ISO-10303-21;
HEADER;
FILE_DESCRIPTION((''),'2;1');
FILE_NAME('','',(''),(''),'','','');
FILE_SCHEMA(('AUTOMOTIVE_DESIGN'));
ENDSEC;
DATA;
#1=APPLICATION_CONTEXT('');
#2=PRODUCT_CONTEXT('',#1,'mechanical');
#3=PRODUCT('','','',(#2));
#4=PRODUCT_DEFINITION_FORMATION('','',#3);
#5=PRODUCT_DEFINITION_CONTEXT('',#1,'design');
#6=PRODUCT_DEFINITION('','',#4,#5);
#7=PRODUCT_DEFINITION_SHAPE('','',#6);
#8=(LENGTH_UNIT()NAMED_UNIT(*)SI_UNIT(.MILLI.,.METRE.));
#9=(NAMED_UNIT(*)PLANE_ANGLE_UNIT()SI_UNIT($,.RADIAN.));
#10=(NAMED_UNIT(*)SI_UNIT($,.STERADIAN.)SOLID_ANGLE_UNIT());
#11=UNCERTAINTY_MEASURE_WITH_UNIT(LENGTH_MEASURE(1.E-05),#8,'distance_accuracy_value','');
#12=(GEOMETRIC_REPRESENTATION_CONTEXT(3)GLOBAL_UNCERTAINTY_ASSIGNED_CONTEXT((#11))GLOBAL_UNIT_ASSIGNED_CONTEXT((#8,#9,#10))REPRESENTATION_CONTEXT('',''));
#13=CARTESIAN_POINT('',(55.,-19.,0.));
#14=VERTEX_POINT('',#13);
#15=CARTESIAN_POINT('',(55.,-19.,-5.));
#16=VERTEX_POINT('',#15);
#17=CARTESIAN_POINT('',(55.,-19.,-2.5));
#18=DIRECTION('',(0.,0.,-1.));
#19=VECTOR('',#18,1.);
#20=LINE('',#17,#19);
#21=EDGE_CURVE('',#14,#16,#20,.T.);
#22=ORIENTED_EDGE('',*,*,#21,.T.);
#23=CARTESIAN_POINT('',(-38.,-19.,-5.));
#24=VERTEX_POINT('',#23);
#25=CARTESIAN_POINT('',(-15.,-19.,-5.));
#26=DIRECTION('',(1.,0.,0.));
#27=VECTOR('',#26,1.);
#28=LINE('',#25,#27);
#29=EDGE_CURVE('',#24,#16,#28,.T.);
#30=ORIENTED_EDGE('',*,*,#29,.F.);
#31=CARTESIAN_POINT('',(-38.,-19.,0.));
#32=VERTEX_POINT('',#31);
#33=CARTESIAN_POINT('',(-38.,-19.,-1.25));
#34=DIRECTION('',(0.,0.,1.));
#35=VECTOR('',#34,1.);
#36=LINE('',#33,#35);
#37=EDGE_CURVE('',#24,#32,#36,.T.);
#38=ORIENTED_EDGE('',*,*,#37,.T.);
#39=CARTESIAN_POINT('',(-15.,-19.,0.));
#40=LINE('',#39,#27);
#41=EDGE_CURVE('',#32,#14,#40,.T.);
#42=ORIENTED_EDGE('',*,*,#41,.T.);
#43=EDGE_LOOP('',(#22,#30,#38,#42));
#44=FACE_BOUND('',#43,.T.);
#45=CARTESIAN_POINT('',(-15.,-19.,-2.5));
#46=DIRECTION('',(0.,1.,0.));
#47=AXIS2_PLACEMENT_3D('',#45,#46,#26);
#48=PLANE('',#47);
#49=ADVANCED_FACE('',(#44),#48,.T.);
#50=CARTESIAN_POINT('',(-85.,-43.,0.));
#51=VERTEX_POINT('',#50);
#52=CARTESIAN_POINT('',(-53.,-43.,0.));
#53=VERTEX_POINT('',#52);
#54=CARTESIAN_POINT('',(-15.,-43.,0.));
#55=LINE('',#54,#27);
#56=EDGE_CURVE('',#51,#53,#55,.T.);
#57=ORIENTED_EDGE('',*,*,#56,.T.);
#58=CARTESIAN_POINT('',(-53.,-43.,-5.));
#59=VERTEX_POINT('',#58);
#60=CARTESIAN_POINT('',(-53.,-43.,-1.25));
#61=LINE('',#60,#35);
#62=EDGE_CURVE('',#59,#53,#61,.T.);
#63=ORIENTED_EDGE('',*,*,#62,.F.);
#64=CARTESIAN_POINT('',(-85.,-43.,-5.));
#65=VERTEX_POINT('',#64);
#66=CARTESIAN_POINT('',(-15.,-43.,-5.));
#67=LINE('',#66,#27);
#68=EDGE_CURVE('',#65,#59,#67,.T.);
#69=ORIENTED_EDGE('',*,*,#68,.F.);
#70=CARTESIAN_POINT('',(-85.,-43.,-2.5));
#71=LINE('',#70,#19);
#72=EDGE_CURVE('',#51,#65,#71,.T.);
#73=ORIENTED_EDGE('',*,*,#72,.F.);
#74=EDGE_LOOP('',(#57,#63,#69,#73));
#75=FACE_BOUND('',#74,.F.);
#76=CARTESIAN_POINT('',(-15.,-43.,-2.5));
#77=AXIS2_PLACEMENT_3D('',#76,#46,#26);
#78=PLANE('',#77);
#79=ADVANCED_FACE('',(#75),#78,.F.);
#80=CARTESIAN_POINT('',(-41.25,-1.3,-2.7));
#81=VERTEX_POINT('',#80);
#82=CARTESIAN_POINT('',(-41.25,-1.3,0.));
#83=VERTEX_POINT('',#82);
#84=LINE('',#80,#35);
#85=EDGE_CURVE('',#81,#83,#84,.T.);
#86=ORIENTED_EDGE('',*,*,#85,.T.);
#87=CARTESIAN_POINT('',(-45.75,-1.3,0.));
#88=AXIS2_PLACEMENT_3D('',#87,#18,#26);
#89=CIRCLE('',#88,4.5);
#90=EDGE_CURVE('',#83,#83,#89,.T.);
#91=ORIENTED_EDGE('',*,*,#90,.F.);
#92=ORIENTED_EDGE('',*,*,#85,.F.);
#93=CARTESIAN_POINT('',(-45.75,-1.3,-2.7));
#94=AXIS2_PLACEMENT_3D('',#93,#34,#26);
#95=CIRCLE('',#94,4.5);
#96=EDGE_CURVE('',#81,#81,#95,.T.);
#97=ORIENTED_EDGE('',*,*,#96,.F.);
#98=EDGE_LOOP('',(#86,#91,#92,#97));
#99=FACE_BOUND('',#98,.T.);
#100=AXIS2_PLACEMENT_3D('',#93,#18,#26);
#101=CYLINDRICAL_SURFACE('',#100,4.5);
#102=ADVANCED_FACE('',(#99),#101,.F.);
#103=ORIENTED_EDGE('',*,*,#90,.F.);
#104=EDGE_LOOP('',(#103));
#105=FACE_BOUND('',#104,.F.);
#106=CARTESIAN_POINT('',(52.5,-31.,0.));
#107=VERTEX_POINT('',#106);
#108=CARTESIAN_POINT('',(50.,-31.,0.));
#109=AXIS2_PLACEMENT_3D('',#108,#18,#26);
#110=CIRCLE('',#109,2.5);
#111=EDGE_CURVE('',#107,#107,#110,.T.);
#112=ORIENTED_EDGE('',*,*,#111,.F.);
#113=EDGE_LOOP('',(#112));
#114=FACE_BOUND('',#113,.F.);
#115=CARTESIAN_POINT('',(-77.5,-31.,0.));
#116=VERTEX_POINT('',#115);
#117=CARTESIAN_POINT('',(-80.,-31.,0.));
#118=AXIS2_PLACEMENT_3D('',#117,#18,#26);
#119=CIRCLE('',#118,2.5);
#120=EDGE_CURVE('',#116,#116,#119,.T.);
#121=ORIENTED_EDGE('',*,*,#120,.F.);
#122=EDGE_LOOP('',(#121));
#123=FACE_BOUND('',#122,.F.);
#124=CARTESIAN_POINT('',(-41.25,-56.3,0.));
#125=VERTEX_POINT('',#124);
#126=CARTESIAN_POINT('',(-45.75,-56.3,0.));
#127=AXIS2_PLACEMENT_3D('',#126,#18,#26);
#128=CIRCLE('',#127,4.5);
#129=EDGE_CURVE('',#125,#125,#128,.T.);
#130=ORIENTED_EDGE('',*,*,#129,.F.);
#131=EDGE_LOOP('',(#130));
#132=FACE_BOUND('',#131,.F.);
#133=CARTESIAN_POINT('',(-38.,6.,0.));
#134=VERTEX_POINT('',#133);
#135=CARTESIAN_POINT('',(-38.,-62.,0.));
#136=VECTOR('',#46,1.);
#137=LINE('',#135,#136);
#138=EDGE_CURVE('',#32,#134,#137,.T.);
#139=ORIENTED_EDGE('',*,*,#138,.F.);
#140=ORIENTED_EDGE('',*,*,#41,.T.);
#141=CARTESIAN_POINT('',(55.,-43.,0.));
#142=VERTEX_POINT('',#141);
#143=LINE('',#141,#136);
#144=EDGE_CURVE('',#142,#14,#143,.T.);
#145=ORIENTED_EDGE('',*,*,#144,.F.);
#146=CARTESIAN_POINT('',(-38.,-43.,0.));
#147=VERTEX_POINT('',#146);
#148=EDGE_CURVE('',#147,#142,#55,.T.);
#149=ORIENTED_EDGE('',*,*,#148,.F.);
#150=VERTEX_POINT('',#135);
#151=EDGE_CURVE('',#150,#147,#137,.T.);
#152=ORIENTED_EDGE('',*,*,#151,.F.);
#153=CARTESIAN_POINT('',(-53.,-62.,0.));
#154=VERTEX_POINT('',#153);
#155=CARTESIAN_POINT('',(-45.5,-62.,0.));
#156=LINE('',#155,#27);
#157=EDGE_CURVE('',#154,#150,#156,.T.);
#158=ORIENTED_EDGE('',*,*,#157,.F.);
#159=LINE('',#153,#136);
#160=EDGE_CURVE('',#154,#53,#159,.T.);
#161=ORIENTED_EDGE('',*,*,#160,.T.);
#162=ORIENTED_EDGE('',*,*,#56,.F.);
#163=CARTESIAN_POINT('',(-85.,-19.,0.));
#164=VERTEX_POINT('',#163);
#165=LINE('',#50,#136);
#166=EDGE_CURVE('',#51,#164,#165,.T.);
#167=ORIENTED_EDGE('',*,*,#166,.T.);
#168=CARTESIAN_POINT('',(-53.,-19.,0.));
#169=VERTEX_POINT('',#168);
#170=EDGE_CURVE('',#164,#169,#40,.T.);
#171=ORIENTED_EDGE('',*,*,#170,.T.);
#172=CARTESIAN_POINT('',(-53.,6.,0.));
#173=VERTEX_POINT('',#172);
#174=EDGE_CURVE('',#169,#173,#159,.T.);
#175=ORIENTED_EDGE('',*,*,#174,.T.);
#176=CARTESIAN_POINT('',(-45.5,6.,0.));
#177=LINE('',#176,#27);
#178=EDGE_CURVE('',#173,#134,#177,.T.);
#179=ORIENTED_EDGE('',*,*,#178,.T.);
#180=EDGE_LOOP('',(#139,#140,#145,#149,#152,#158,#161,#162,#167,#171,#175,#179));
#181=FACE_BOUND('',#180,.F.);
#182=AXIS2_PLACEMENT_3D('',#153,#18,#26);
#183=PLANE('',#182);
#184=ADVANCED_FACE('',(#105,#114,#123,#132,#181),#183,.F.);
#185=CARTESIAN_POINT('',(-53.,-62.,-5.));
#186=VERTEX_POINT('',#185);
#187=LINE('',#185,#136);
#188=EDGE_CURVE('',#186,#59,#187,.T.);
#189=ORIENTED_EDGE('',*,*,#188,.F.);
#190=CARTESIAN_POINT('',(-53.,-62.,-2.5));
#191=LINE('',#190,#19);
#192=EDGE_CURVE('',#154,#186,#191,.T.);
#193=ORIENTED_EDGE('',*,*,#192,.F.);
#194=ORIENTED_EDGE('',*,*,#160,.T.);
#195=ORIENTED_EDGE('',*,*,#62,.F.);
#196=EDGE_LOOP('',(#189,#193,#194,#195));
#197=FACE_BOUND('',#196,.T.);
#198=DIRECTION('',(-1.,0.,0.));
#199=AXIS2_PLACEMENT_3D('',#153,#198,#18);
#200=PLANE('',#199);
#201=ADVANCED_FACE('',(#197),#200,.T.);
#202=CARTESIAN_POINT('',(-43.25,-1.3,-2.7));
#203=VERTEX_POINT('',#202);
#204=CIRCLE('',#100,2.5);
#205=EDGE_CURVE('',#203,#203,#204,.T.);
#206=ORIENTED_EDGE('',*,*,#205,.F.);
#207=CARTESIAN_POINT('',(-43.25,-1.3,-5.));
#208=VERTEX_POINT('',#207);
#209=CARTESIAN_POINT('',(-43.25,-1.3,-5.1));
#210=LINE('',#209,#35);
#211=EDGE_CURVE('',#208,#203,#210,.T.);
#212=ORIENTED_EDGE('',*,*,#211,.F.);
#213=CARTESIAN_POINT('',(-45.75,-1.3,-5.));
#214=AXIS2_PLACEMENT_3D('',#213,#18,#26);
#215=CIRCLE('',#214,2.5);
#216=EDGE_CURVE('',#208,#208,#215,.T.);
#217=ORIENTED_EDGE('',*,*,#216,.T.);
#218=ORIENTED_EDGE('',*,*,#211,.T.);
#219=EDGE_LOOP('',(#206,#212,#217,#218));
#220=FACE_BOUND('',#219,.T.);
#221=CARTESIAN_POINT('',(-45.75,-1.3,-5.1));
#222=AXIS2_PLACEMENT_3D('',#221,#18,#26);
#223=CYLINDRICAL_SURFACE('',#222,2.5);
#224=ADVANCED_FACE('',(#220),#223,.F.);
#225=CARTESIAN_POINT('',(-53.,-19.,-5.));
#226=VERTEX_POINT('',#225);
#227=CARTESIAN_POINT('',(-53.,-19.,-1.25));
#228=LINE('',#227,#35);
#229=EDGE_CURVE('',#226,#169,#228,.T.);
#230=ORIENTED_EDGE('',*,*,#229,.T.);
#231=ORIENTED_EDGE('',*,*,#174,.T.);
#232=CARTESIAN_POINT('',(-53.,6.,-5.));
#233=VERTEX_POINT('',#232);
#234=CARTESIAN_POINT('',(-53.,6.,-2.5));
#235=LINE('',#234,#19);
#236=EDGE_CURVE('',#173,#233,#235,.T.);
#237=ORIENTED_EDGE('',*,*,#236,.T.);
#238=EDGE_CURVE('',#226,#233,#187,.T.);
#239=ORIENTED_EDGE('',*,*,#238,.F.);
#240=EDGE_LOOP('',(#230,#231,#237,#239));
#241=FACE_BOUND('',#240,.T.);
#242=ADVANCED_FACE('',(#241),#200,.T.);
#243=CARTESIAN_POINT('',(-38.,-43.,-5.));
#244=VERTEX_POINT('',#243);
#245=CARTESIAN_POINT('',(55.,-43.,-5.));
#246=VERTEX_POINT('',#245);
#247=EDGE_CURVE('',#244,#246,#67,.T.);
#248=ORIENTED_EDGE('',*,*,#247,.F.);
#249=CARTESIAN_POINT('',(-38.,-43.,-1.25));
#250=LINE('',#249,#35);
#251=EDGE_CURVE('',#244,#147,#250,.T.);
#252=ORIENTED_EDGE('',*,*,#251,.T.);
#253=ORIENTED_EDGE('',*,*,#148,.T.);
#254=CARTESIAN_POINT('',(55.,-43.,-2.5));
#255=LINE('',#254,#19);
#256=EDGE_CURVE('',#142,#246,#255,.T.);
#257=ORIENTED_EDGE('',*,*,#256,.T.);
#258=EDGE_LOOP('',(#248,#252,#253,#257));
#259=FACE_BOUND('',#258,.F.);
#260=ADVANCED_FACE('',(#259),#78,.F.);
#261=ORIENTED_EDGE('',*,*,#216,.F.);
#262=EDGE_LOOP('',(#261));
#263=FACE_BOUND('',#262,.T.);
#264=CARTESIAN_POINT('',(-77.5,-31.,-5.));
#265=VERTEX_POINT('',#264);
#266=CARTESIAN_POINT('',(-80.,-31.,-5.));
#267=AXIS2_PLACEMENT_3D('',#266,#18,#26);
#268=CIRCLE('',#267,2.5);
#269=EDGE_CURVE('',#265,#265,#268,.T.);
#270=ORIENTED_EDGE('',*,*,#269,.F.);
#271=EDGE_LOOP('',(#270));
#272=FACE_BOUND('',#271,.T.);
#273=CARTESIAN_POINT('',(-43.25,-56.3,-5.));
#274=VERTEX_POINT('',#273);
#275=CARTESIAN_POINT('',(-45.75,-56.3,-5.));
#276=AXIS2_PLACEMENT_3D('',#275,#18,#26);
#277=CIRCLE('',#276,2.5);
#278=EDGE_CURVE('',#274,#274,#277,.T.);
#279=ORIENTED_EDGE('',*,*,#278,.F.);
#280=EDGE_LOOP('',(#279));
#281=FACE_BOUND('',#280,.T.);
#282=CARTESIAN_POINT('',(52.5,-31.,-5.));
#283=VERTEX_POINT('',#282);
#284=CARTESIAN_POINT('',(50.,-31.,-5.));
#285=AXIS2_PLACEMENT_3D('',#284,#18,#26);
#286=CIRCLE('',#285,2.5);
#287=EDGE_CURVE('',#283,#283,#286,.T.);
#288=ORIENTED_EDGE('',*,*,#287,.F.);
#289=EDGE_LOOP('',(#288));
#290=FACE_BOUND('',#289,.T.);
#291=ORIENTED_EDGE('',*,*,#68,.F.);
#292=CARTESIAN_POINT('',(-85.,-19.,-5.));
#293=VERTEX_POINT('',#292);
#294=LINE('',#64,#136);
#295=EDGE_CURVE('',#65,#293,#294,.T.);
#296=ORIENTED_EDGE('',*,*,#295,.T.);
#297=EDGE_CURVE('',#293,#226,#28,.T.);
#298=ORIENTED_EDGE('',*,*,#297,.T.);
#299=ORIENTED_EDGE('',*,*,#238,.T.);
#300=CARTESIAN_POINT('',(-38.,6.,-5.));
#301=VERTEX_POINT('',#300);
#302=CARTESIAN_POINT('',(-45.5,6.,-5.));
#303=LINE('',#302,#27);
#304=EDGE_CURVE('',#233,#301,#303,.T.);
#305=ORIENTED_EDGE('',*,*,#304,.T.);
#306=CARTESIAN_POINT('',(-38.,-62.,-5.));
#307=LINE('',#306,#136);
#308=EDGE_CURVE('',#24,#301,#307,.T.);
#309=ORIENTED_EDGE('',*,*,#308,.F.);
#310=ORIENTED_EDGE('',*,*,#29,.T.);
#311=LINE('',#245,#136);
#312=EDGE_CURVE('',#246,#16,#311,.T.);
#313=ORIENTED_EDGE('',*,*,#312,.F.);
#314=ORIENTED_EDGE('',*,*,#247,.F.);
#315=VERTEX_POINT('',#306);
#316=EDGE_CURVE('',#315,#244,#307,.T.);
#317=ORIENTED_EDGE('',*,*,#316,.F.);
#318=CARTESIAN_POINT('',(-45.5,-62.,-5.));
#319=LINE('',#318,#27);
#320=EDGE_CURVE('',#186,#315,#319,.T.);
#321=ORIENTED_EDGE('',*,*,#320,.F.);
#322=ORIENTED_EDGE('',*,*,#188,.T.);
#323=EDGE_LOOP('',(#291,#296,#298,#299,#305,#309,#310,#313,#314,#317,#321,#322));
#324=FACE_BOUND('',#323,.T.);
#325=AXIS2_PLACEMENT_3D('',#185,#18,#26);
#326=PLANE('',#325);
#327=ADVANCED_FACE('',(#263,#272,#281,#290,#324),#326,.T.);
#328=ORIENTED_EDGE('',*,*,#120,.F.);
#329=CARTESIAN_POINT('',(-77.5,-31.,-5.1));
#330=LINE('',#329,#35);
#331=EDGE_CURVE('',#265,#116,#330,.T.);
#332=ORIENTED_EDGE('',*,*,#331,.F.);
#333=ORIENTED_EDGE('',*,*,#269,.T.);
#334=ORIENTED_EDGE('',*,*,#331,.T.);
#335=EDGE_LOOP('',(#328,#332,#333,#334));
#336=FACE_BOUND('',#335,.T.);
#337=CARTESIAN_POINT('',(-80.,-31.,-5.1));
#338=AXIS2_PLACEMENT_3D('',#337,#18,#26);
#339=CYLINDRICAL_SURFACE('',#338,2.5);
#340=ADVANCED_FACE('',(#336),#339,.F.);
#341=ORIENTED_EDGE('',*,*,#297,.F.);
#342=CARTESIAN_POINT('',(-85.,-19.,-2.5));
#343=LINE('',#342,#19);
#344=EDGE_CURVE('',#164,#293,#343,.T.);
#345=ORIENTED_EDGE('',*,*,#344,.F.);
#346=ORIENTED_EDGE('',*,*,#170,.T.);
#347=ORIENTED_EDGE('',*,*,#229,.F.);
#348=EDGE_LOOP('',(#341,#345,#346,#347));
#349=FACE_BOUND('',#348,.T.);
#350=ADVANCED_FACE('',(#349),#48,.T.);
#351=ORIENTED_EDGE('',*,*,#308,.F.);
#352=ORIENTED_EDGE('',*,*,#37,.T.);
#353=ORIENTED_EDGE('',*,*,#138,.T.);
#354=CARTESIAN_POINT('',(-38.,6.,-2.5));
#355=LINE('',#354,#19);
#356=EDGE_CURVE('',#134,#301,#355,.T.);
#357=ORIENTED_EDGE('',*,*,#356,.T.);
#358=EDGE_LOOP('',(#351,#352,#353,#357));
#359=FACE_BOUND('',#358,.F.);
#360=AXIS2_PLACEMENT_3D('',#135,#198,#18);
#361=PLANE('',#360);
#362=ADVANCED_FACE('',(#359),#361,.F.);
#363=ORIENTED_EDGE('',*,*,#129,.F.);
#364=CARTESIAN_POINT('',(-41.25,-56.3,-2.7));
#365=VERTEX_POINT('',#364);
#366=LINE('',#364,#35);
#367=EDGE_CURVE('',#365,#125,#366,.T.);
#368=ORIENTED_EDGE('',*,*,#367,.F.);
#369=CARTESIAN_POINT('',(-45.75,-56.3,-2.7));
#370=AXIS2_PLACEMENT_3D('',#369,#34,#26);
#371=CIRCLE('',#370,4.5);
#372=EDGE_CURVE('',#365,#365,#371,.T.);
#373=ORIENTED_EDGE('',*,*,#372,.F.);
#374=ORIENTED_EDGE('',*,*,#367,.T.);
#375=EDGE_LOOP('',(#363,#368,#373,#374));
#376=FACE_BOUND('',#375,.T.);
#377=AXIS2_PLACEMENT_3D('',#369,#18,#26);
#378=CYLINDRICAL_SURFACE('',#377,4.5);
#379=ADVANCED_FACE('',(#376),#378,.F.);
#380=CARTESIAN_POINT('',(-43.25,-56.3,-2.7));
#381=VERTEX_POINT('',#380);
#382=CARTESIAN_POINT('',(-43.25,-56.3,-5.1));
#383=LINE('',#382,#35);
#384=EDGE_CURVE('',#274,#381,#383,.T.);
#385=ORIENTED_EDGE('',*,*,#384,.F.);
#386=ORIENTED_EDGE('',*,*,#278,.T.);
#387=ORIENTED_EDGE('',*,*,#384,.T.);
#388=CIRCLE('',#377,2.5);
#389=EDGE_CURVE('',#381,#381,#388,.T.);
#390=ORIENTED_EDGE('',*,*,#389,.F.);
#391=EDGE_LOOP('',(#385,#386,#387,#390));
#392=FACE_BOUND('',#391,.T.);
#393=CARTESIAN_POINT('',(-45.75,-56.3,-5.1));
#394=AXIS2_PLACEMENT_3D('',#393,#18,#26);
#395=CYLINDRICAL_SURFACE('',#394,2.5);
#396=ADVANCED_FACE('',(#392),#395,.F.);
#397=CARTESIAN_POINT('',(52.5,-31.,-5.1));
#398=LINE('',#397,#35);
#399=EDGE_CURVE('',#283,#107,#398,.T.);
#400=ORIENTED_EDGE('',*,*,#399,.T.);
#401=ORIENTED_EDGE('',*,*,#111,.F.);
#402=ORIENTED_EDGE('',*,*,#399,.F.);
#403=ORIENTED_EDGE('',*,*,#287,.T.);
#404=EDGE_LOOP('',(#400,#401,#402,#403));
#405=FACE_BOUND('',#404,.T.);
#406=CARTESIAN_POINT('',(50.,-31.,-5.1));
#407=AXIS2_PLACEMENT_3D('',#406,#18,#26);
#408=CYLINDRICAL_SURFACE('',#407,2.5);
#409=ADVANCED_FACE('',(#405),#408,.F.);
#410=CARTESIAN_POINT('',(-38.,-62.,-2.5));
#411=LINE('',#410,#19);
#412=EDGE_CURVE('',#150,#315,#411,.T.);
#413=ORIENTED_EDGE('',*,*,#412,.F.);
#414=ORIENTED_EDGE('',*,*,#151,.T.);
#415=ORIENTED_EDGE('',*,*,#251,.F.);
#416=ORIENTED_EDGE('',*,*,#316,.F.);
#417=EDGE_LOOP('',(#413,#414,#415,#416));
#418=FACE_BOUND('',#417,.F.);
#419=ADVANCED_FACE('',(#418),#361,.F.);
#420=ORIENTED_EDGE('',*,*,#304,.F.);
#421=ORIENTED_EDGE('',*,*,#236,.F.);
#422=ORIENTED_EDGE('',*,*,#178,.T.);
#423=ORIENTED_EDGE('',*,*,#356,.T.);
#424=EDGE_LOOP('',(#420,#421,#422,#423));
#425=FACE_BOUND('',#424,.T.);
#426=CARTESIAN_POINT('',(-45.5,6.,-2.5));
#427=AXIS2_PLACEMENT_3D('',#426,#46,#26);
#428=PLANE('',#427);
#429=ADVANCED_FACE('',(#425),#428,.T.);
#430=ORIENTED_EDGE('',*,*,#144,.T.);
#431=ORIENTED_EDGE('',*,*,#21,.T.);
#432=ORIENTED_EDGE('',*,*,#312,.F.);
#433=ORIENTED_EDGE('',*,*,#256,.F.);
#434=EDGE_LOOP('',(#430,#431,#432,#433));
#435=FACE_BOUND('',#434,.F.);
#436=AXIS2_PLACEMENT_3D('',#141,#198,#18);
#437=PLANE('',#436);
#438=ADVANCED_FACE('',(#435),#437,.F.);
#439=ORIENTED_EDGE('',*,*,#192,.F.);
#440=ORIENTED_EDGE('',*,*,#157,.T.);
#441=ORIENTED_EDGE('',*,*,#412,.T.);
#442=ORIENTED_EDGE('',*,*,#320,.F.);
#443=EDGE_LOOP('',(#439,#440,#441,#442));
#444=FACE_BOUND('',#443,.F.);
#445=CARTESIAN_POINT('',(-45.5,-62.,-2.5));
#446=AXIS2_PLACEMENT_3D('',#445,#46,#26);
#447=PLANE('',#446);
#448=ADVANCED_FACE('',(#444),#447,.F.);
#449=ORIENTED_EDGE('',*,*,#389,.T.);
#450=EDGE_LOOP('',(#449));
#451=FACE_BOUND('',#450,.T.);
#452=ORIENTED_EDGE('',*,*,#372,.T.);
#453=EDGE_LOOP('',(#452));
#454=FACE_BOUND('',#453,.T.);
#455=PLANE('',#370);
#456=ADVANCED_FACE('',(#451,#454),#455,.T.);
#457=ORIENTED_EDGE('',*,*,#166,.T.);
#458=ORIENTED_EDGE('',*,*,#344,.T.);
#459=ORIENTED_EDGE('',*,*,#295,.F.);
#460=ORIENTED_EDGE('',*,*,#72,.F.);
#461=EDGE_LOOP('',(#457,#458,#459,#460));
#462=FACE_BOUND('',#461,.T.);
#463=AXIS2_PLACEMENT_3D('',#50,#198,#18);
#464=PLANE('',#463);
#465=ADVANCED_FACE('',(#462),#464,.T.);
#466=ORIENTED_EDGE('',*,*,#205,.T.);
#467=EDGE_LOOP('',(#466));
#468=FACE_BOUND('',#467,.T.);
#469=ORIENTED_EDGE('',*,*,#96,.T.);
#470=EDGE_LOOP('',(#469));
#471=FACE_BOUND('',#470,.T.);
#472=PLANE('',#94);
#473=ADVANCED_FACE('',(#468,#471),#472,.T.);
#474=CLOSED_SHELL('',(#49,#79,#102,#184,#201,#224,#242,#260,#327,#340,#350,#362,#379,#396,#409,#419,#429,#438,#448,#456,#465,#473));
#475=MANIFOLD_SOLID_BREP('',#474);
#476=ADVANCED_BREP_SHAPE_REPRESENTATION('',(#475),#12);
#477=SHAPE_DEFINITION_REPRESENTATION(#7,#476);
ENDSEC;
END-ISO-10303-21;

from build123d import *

# Parameters (mm, degrees)
CYLINDER063_R          = 4.5
CYLINDER063_DEPTH      = 10
CYLINDER064_R          = 4.5
CYLINDER064_DEPTH      = 10
CYLINDER058_R          = 2.5
CYLINDER058_DEPTH      = 10
CYLINDER059_R          = 2.5
CYLINDER059_DEPTH      = 10
CYLINDER060_R          = 2.5
CYLINDER060_DEPTH      = 10
CYLINDER061_R          = 2.5
CYLINDER061_DEPTH      = 10
CYLINDER057_R          = 2.5
CYLINDER057_DEPTH      = 10
CYLINDER062_R          = 2.5
CYLINDER062_DEPTH      = 10
BOX013_W               = 15
BOX013_H               = 5
BOX013_DEPTH           = 68
BOX012_W               = 140
BOX012_H               = 5
BOX012_DEPTH           = 24
CUT006_PLACEMENT_ANGLE = 270


with BuildPart() as cylinder063:
    # Cylinder063 → Cylinder063 (new body)
    with BuildSketch(Plane(origin=(-45.75, 0, -56.3), x_dir=(1, 0, 0), z_dir=(0, -1, 0))):
        Circle(CYLINDER063_R)
    extrude(amount=CYLINDER063_DEPTH)


with BuildPart() as m3bltinput001:
    # Cylinder064 → Cylinder064 (new body)
    with BuildSketch(Plane(origin=(-45.75, 0, -1.3), x_dir=(1, 0, 0), z_dir=(0, -1, 0))):
        Circle(CYLINDER064_R)
    extrude(amount=CYLINDER064_DEPTH)

    # Fusion023: union Cylinder063
    add(cylinder063.part)


with BuildPart() as m3bltinput001_1:
    # Fusion023 placement: moved
    add(m3bltinput001.part.moved(Location((0, 2.7, 0))))


with BuildPart() as cylinder058:
    # Cylinder058 → Cylinder058 (new body)
    with BuildSketch(Plane(origin=(115, 0, -31), x_dir=(1, 0, 0), z_dir=(0, -1, 0))):
        Circle(CYLINDER058_R)
    extrude(amount=CYLINDER058_DEPTH)


with BuildPart() as cylinder059:
    # Cylinder059 → Cylinder059 (new body)
    with BuildSketch(Plane(origin=(-80, 0, -31), x_dir=(1, 0, 0), z_dir=(0, -1, 0))):
        Circle(CYLINDER059_R)
    extrude(amount=CYLINDER059_DEPTH)


with BuildPart() as cylinder060:
    # Cylinder060 → Cylinder060 (new body)
    with BuildSketch(Plane(origin=(50, 0, -31), x_dir=(1, 0, 0), z_dir=(0, -1, 0))):
        Circle(CYLINDER060_R)
    extrude(amount=CYLINDER060_DEPTH)


with BuildPart() as cylinder061:
    # Cylinder061 → Cylinder061 (new body)
    with BuildSketch(Plane(origin=(-45.75, 0, -56.3), x_dir=(1, 0, 0), z_dir=(0, -1, 0))):
        Circle(CYLINDER061_R)
    extrude(amount=CYLINDER061_DEPTH)


with BuildPart() as cylinder057:
    # Cylinder057 → Cylinder057 (new body)
    with BuildSketch(Plane(origin=(-115, 0, -31), x_dir=(1, 0, 0), z_dir=(0, -1, 0))):
        Circle(CYLINDER057_R)
    extrude(amount=CYLINDER057_DEPTH)


with BuildPart() as fusion026:
    # Cylinder062 → Cylinder062 (new body)
    with BuildSketch(Plane(origin=(-45.75, 0, -1.3), x_dir=(1, 0, 0), z_dir=(0, -1, 0))):
        Circle(CYLINDER062_R)
    extrude(amount=CYLINDER062_DEPTH)

    # Fusion022: union Cylinder058, Cylinder059, Cylinder060, Cylinder061, Cylinder057
    add(cylinder058.part)
    add(cylinder059.part)
    add(cylinder060.part)
    add(cylinder061.part)
    add(cylinder057.part)


with BuildPart() as fusion026_1:
    # Fusion022 placement: moved
    add(fusion026.part.moved(Location((0, 5.1, 0))))

    # Fusion026: union M3BltInput001
    add(m3bltinput001_1.part)


with BuildPart() as cube011:
    # Box013 → Box013 (new body)
    with BuildSketch(Plane(origin=(-53, 0, -62), x_dir=(1, 0, 0), z_dir=(0, 0, 1))):
        with Locations((7.5, 2.5)):
            Rectangle(BOX013_W, BOX013_H)
    extrude(amount=BOX013_DEPTH)


with BuildPart() as powerbase001:
    # Box012 → Box012 (new body)
    with BuildSketch(Plane(origin=(-85, 0, -43), x_dir=(1, 0, 0), z_dir=(0, 0, 1))):
        with Locations((70, 2.5)):
            Rectangle(BOX012_W, BOX012_H)
    extrude(amount=BOX012_DEPTH)

    # Fusion021: union Cube011
    add(cube011.part)

    # Cut006: cut Fusion026
    add(fusion026_1.part, mode=Mode.SUBTRACT)


with BuildPart() as powerbase001_1:
    # Cut006 placement: moved
    add(powerbase001.part.rotate(Axis((0, 0, 0), (1, 0, 0)), CUT006_PLACEMENT_ANGLE))


solid = powerbase001_1.part
